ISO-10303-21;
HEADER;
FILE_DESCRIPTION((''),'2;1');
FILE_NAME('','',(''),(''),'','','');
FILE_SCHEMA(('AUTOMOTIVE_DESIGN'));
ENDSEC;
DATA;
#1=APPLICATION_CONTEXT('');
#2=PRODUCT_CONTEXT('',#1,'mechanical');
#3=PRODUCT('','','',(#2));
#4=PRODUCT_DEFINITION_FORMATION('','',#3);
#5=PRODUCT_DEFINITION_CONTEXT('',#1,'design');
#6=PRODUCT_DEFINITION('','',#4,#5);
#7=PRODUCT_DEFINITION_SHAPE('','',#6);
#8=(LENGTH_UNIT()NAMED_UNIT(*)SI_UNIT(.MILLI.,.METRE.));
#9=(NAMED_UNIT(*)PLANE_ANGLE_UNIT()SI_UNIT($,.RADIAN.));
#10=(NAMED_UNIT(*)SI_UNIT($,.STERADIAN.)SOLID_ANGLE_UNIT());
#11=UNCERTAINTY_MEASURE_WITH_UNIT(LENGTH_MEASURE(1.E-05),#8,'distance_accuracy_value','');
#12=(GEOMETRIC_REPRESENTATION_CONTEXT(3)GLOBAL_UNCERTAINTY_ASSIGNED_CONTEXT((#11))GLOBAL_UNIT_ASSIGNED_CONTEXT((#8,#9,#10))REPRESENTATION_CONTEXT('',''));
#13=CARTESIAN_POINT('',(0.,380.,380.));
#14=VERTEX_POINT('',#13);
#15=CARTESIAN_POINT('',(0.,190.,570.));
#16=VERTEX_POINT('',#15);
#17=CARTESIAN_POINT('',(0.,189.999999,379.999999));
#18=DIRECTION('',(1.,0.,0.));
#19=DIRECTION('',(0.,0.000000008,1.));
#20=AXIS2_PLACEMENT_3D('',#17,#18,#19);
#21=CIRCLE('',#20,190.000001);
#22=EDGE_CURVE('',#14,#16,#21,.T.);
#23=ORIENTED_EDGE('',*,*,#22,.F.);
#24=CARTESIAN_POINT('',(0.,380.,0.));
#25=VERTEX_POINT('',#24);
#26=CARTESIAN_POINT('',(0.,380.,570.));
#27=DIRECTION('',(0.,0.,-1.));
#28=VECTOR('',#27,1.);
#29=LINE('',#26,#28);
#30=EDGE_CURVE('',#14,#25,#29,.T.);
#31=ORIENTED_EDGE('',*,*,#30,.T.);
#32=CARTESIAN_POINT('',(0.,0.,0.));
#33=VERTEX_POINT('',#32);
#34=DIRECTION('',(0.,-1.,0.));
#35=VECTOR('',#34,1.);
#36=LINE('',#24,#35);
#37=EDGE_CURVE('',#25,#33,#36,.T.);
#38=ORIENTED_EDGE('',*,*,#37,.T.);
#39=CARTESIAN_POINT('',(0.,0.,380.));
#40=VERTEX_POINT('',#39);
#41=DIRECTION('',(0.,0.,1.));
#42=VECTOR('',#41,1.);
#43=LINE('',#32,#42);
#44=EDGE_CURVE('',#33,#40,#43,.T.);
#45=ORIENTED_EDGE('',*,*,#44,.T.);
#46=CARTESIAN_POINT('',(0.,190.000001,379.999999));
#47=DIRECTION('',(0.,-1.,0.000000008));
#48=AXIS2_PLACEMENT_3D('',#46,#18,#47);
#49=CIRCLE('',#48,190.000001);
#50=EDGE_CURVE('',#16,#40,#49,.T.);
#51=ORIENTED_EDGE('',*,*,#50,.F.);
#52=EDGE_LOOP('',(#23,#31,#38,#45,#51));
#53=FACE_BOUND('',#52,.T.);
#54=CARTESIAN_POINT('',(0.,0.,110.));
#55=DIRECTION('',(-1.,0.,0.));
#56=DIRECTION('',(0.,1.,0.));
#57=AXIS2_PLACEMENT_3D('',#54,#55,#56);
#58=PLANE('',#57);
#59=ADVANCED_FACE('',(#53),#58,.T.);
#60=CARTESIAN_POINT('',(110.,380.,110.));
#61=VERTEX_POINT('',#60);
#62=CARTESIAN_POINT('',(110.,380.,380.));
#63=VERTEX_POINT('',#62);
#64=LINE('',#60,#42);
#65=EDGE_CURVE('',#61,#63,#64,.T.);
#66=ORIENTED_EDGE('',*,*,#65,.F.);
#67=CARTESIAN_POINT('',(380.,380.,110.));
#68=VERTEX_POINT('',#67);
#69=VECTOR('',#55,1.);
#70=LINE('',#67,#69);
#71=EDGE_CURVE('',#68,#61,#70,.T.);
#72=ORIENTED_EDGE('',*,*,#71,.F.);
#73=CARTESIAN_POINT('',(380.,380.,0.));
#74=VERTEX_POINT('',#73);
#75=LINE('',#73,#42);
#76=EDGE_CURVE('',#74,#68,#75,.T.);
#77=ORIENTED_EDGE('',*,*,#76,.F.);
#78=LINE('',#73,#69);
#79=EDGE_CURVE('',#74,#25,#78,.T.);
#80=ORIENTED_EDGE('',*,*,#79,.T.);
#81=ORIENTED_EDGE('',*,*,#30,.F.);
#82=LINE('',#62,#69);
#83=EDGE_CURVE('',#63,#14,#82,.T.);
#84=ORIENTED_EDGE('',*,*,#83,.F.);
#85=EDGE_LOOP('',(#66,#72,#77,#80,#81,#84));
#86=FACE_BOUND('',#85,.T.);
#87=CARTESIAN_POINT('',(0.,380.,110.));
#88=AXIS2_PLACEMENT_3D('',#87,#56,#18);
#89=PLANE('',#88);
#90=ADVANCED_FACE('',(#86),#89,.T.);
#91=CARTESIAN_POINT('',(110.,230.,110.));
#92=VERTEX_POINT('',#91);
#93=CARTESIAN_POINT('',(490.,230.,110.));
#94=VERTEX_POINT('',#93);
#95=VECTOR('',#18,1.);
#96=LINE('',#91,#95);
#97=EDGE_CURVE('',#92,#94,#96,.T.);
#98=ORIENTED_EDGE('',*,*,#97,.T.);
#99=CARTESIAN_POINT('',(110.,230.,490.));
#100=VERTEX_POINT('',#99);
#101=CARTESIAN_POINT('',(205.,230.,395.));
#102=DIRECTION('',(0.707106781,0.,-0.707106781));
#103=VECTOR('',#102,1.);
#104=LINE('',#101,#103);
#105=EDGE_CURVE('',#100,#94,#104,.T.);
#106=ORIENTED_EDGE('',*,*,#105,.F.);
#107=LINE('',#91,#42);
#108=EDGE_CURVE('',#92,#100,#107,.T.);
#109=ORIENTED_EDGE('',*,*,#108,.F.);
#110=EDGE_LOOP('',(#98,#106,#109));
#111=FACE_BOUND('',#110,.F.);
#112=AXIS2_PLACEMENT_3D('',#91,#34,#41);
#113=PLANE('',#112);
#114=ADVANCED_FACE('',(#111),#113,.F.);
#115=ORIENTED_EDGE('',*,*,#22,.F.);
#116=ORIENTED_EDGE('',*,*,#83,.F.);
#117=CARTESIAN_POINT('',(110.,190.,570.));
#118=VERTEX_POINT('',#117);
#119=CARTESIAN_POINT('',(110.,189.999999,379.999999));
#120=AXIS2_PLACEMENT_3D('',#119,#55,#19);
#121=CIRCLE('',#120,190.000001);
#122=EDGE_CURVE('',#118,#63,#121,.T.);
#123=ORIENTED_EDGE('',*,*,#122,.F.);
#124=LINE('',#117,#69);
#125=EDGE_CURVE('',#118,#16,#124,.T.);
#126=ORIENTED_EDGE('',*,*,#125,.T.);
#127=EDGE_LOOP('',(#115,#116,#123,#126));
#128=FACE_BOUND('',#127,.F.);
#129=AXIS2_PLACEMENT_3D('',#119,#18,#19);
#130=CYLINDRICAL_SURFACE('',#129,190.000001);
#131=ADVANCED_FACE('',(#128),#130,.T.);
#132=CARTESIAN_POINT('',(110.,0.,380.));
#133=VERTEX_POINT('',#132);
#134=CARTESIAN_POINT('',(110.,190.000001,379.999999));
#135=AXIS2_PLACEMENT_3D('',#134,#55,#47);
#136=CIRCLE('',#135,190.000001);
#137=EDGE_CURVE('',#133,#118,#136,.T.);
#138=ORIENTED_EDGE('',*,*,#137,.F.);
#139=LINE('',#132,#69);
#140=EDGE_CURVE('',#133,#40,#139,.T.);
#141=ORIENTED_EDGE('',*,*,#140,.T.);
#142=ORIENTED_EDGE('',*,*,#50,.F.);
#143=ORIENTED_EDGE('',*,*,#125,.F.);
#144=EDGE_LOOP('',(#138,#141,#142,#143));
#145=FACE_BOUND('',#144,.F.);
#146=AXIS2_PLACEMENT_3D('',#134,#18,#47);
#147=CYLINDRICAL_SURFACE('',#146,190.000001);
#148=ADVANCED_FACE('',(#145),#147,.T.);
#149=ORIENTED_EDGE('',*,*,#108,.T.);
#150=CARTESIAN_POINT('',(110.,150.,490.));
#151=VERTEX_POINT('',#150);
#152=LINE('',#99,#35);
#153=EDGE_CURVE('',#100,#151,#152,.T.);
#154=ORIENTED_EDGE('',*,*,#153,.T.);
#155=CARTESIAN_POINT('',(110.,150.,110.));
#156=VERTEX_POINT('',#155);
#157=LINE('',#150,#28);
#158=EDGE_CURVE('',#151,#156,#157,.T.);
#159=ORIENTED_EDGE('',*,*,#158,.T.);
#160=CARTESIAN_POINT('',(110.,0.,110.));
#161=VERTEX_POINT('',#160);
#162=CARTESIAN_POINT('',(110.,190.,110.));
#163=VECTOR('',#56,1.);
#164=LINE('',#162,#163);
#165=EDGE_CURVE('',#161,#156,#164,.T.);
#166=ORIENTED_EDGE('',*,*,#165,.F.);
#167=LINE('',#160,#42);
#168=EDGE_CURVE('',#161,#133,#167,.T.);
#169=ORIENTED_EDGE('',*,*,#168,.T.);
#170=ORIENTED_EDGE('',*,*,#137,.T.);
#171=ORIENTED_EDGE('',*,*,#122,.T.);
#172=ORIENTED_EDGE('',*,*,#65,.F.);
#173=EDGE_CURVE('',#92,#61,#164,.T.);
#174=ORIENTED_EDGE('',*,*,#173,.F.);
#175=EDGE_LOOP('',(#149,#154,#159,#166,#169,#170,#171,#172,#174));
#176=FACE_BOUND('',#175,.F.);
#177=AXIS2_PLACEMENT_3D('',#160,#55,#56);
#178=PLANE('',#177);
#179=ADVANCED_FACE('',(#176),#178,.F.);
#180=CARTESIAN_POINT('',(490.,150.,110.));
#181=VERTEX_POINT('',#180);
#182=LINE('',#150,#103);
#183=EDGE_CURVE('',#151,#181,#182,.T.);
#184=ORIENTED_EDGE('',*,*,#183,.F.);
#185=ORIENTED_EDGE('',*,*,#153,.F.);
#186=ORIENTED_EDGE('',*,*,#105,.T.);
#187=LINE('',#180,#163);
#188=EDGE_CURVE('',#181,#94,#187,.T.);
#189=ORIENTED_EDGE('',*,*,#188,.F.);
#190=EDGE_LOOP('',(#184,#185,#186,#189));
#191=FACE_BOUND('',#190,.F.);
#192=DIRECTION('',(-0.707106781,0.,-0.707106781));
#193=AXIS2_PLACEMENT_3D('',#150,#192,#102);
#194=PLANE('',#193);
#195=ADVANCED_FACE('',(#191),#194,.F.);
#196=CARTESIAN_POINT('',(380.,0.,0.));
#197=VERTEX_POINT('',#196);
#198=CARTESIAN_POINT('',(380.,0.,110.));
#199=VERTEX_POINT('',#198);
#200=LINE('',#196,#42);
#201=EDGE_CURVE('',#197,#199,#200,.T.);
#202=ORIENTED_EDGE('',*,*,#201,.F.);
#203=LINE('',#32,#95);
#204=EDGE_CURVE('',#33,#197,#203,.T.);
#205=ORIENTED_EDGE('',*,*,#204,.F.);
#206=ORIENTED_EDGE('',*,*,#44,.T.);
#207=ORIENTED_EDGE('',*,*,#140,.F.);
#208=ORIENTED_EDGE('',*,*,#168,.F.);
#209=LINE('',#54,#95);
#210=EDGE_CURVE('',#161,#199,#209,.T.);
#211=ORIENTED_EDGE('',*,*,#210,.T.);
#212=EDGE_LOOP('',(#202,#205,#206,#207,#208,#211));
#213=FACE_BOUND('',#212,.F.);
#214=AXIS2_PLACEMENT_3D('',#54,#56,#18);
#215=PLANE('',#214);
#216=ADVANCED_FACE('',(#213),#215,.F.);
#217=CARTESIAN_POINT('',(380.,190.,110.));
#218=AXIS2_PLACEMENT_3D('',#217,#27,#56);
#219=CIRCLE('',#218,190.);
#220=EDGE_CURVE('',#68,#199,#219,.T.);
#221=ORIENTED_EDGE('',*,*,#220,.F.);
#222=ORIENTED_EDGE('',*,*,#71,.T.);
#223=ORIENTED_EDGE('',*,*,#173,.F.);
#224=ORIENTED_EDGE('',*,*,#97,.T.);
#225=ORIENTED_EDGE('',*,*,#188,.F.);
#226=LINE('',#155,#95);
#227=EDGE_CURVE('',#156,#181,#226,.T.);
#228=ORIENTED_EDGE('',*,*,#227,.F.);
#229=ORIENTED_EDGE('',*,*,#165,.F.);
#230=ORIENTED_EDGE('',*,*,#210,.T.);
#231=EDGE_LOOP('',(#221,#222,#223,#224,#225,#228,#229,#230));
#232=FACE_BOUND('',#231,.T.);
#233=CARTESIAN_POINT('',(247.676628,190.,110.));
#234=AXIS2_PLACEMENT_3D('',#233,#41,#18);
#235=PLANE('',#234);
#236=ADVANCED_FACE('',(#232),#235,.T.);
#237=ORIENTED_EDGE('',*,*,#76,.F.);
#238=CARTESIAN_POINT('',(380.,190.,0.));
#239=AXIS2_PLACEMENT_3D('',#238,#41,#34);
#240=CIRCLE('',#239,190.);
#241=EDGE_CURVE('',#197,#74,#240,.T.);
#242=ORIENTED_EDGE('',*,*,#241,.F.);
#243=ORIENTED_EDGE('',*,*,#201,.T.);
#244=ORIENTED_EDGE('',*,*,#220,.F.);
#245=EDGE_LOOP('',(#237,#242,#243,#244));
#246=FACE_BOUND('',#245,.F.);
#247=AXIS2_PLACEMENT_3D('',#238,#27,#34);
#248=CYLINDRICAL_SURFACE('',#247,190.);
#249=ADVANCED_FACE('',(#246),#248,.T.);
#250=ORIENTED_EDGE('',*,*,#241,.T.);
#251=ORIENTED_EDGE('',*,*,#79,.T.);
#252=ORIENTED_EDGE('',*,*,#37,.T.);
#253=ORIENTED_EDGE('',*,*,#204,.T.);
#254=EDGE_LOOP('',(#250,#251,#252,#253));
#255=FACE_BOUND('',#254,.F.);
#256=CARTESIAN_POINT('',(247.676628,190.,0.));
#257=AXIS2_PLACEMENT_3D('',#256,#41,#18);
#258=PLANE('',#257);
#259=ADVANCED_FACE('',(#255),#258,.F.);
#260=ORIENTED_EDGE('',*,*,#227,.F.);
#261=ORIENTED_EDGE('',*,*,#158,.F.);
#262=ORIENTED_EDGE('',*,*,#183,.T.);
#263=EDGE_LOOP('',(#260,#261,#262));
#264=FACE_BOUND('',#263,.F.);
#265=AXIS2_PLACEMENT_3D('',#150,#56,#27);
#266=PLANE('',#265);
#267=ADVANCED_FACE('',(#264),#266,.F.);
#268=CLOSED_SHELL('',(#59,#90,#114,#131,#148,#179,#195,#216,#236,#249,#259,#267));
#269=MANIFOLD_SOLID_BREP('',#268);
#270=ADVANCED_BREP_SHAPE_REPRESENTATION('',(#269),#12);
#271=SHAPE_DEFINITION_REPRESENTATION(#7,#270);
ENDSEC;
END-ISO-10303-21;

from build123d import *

# Parameters (mm, degrees)
F1_DEPTH = 110
F2_W     = 110
F2_H     = 380
F3_DEPTH = 460
F5_DEPTH = 110.001
F7_DEPTH = 380
F9_DEPTH = 230.001


with BuildPart() as f1:
    # F0 (on Top) → F1 (new body)
    with BuildSketch(Plane.XY):
        with BuildLine():
            Line((0, 380), (0, 0))
            Line((0, 0), (380, 0))
            ThreePointArc((380, 0), (570, 190), (380, 380))
            Line((380, 380), (0, 380))
        make_face()
    extrude(amount=F1_DEPTH)

    # F2 (on face) → F3 (join)
    with BuildSketch(Plane.XY.offset(110)):
        with Locations((55, 190)):
            Rectangle(F2_W, F2_H)
    extrude(amount=F3_DEPTH)

    # F4 (on face) → F5 (cut, through all)
    with BuildSketch(Plane.YZ.offset(110)):
        with BuildLine():
            Line((380, 570), (190, 570))
            ThreePointArc((190, 570), (324.350288, 514.350288), (380, 380))
            Line((380, 380), (380, 570))
        make_face()
        with BuildLine():
            Line((0, 570), (0, 380))
            ThreePointArc((0, 380), (55.649712, 514.350288), (190, 570))
            Line((190, 570), (0, 570))
        make_face()
    extrude(amount=-F5_DEPTH, mode=Mode.SUBTRACT)

    # F6 (on face) → F7 (join)
    with BuildSketch(Plane.YZ.offset(110)):
        Polygon((230, 490), (190, 490), (150, 490), (150, 110), (230, 110), align=None)
    extrude(amount=F7_DEPTH)

    # F8 (on face) → F9 (cut, through all)
    with BuildSketch(Plane.XZ.offset(-150)):
        Polygon((490, 490), (110, 490), (490, 110), align=None)
    extrude(amount=-F9_DEPTH, mode=Mode.SUBTRACT)


solid = f1.part
